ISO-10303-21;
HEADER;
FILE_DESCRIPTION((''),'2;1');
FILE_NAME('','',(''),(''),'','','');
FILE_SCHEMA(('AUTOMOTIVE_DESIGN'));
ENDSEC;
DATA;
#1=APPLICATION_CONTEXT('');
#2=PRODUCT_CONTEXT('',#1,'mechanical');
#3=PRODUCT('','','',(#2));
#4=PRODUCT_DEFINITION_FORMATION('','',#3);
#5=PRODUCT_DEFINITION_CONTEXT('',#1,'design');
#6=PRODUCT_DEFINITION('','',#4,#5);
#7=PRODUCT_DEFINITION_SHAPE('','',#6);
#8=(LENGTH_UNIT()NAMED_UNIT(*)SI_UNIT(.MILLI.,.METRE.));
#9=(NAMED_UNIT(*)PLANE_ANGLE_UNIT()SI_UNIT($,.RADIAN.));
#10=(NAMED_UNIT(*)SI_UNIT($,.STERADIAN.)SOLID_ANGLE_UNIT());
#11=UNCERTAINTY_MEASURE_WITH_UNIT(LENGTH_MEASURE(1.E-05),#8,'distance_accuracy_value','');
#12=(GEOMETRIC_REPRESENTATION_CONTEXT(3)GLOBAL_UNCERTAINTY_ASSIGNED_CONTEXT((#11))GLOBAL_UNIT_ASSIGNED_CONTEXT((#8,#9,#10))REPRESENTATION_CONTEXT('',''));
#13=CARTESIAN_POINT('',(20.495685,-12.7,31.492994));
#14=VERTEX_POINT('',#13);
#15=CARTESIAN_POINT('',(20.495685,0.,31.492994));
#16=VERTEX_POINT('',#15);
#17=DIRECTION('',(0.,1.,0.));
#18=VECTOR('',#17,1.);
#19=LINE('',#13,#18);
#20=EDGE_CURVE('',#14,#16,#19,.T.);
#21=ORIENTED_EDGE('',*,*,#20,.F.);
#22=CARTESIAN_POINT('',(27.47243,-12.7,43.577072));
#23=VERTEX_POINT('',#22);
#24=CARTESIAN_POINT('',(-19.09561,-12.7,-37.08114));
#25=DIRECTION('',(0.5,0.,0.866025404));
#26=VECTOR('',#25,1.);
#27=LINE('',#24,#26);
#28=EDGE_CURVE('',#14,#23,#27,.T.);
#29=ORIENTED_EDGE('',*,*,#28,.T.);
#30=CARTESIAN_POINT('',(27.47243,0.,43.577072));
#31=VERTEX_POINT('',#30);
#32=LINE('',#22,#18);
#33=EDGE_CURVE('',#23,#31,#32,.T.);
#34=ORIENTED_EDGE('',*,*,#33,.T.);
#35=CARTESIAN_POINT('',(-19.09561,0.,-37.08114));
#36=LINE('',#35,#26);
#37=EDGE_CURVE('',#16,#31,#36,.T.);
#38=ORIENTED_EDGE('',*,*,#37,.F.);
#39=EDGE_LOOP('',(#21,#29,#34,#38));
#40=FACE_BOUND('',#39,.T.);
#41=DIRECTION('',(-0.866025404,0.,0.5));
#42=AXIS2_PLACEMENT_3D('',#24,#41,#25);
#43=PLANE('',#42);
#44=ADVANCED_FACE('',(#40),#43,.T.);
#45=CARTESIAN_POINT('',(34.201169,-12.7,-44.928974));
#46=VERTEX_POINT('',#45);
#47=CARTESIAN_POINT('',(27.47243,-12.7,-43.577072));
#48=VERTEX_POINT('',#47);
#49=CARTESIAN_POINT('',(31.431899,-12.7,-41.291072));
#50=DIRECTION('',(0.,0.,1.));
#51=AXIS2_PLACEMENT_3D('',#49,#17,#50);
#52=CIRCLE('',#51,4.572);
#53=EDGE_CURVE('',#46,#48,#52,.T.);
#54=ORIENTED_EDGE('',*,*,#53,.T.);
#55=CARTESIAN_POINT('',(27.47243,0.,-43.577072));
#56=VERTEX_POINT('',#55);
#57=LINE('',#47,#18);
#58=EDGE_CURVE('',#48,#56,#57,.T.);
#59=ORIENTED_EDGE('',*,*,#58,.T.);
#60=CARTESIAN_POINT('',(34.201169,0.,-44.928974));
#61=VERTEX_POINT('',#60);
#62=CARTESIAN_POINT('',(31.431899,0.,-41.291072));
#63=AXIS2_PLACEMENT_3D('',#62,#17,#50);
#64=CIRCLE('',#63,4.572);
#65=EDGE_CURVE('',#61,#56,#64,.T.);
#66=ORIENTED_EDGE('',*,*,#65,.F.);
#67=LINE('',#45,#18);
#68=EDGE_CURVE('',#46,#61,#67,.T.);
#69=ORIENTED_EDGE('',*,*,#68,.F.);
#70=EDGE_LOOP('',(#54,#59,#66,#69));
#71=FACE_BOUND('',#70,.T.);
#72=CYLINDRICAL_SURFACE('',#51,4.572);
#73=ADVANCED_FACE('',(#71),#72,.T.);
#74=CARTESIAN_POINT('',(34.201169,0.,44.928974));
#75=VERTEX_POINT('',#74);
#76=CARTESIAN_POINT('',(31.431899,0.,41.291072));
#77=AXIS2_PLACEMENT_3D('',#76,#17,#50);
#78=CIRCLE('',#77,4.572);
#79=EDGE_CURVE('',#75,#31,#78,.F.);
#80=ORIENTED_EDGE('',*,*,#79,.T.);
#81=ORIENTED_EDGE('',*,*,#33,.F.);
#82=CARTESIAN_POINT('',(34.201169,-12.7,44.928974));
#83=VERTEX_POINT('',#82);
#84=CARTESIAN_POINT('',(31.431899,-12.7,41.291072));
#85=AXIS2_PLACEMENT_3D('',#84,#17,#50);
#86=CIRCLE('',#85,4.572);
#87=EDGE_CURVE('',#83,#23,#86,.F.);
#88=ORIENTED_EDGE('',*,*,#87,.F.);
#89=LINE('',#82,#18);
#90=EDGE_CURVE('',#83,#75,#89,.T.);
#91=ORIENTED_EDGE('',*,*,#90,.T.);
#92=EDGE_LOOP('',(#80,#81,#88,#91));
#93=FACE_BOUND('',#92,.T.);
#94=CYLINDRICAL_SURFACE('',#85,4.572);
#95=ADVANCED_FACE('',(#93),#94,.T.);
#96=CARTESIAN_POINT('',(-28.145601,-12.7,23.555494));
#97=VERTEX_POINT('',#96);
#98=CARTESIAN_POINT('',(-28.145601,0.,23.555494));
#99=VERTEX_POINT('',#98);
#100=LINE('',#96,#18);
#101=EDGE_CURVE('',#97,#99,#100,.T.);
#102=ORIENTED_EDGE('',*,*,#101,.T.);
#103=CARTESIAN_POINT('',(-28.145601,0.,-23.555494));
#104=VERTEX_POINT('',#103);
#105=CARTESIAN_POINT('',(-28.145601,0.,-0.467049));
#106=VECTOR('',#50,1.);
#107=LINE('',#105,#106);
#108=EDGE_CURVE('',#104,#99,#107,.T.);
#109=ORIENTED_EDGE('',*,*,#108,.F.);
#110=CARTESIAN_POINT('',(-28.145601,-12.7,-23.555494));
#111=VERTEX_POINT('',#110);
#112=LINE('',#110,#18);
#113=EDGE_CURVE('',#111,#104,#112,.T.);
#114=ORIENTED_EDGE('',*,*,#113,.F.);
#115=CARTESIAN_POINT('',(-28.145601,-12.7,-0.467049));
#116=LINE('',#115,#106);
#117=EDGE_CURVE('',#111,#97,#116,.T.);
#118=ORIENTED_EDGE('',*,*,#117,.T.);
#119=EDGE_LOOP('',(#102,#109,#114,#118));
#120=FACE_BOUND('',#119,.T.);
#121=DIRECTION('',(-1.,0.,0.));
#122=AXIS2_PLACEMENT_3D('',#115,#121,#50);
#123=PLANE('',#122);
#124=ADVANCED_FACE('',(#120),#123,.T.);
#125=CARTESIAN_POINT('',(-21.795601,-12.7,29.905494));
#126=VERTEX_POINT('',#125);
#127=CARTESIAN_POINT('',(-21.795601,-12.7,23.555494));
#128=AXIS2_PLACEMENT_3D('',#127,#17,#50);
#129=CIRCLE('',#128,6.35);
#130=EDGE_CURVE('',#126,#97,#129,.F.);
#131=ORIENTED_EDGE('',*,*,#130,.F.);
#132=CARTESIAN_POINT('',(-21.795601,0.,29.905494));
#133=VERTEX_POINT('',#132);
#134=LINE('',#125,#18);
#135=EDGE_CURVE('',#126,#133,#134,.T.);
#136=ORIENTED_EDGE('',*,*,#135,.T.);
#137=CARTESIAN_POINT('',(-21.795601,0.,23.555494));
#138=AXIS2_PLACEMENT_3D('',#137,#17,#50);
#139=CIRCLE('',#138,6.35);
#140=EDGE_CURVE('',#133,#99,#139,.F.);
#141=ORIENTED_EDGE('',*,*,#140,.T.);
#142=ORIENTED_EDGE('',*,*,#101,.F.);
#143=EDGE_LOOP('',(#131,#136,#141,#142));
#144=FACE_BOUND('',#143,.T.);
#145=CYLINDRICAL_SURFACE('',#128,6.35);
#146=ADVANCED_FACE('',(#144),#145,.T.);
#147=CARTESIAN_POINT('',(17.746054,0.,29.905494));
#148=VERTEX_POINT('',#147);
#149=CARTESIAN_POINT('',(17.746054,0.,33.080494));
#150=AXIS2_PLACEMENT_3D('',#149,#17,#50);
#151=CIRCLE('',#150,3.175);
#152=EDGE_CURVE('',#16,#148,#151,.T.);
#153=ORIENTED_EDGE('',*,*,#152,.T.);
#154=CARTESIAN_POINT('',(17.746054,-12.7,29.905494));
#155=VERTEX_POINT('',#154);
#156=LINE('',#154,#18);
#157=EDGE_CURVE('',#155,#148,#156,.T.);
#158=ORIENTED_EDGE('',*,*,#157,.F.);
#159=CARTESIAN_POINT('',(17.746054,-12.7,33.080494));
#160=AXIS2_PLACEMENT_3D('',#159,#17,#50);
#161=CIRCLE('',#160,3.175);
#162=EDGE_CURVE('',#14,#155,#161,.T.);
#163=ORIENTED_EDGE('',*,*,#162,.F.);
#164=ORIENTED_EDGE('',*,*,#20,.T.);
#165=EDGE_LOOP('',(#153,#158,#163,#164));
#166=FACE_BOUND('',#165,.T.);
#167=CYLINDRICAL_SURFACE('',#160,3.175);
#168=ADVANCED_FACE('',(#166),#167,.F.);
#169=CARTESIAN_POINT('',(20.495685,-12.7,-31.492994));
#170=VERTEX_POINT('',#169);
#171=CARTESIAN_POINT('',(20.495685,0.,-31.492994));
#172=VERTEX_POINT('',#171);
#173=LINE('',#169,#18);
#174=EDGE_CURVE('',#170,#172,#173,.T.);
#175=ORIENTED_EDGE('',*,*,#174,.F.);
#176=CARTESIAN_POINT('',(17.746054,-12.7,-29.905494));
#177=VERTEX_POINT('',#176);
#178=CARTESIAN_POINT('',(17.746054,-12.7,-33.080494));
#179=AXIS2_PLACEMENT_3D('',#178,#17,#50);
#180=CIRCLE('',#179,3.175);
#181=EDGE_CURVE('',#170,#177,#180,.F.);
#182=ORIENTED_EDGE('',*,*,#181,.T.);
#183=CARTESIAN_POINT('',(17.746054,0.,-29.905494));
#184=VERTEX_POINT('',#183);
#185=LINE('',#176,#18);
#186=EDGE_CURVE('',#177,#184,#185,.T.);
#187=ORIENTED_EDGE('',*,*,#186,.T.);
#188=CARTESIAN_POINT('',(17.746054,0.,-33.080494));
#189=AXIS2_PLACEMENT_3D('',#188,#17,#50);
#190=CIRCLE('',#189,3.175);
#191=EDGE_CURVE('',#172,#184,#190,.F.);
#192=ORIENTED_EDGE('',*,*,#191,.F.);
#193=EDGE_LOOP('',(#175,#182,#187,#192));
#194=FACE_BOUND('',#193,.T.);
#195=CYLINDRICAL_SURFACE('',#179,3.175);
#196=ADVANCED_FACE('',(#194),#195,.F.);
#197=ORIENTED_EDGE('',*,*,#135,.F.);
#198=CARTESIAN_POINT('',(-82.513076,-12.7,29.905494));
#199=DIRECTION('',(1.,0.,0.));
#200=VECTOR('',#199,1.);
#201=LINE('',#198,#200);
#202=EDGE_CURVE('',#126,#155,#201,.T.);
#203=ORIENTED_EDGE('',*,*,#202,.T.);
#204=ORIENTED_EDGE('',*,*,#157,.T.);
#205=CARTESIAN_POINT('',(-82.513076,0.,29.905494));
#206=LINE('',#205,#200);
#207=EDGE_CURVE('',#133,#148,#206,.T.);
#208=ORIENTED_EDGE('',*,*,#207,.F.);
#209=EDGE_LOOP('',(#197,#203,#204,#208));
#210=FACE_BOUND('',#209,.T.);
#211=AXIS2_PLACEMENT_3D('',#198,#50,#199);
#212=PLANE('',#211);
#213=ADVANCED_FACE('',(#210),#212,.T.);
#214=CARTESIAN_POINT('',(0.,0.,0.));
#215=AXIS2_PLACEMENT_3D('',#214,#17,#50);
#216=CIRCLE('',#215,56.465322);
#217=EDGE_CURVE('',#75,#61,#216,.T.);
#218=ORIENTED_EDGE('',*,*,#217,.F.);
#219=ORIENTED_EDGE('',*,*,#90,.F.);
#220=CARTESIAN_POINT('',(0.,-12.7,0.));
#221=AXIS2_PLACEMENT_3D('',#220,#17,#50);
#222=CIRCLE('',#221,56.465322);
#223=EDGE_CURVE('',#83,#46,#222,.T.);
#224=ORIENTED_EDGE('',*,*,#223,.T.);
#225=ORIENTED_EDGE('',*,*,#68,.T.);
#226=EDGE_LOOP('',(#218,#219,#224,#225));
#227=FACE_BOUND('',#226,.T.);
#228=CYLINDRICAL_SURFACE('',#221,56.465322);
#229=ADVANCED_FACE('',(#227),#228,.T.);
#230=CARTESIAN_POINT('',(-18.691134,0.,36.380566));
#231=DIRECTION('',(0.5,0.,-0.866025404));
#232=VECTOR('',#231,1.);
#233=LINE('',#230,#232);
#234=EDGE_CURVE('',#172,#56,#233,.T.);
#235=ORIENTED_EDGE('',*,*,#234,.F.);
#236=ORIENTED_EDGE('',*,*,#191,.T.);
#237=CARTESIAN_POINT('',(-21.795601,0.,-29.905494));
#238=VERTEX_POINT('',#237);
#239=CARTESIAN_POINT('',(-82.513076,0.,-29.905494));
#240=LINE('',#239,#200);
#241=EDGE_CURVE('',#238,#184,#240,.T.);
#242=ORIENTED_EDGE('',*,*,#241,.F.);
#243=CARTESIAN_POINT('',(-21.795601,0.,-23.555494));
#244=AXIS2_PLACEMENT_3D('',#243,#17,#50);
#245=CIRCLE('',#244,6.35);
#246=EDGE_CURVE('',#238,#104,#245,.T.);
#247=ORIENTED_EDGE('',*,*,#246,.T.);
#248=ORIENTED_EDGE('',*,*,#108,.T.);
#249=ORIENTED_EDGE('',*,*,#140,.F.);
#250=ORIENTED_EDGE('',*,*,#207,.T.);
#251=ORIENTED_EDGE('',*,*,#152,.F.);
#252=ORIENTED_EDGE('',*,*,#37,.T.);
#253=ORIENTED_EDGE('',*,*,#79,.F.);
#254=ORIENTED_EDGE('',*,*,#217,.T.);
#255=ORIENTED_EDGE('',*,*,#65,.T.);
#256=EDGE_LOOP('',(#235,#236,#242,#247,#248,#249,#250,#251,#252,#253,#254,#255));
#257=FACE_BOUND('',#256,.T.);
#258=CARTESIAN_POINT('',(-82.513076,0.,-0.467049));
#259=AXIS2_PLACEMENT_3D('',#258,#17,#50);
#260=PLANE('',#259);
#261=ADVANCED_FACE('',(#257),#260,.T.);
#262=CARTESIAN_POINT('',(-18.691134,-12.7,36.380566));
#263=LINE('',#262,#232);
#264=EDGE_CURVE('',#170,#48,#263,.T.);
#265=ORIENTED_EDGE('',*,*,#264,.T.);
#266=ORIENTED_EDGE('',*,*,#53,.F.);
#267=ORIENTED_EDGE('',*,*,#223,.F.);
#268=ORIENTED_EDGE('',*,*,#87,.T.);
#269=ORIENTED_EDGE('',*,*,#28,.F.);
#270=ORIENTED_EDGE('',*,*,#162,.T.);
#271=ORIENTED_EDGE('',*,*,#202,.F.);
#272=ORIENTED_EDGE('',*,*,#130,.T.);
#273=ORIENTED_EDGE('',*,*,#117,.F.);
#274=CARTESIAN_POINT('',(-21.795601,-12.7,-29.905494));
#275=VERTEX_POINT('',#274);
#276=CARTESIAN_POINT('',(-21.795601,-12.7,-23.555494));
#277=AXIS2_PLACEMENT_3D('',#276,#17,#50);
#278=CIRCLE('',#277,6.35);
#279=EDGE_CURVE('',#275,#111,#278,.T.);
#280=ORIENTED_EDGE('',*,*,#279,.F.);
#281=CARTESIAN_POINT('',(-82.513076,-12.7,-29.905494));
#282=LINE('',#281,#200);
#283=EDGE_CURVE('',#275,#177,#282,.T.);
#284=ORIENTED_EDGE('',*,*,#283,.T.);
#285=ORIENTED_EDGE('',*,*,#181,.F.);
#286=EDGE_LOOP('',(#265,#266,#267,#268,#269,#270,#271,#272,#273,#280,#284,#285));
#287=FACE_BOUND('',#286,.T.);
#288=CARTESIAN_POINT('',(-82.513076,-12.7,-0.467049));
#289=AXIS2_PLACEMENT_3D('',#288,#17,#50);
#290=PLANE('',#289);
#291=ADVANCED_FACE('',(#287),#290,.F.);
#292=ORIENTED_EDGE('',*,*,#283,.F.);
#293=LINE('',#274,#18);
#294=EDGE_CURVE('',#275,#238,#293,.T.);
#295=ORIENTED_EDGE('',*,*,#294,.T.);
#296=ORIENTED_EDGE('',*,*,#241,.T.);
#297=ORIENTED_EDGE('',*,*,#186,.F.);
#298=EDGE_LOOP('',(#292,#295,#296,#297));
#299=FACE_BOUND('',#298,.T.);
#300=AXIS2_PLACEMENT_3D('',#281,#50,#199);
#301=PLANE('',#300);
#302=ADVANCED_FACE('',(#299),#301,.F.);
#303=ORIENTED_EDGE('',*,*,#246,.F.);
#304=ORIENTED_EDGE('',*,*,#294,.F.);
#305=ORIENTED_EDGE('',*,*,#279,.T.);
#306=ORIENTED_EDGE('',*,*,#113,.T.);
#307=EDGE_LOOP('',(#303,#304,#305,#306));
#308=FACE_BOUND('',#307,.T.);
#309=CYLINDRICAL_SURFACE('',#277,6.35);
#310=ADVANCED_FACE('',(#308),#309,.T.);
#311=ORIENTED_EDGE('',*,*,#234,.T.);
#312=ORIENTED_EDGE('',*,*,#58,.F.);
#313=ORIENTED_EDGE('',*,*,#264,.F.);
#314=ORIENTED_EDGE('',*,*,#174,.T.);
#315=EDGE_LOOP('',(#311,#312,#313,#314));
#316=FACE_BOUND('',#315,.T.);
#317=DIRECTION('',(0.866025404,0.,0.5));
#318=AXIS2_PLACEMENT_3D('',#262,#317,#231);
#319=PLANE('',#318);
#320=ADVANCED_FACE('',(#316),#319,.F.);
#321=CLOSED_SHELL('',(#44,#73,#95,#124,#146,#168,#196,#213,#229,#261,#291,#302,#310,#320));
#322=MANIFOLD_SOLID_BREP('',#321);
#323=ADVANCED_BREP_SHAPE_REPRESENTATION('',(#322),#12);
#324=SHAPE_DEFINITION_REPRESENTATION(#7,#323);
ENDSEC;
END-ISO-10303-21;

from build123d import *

# Parameters (mm, degrees)
EXTRUDE4_DEPTH = 12.7


with BuildPart() as part:
    # Sketch9 → Extrude4 (new body)
    with BuildSketch(Plane(origin=(0, 0, 0), x_dir=(1, 0, 0), z_dir=(0, 1, 0))):
        with BuildLine():
            Line((20.495684684, 31.492994432), (27.472430394, 43.577072472))
            ThreePointArc((27.472430394, 43.577072472), (30.531314315, 45.773497268), (34.201168909, 44.928973738))
            ThreePointArc((34.201168909, 44.928973738), (56.465322419, 0), (34.201168909, -44.928973738))
            ThreePointArc((34.201168909, -44.928973738), (30.531314315, -45.773497268), (27.472430394, -43.577072472))
            Line((27.472430394, -43.577072472), (20.495684684, -31.492994432))
            ThreePointArc((20.495684684, -31.492994432), (19.333554027, -30.330863775), (17.746054027, -29.905494432))
            Line((17.746054027, -29.905494432), (-21.795601412, -29.905494432))
            ThreePointArc((-21.795601412, -29.905494432), (-26.285729472, -28.045622492), (-28.145601412, -23.555494432))
            Line((-28.145601412, -23.555494432), (-28.145601412, 23.555494432))
            ThreePointArc((-28.145601412, 23.555494432), (-26.285729472, 28.045622492), (-21.795601412, 29.905494432))
            Line((-21.795601412, 29.905494432), (17.746054027, 29.905494432))
            ThreePointArc((17.746054027, 29.905494432), (19.333554027, 30.330863775), (20.495684684, 31.492994432))
        make_face()
    extrude(amount=-EXTRUDE4_DEPTH)


solid = part.part
